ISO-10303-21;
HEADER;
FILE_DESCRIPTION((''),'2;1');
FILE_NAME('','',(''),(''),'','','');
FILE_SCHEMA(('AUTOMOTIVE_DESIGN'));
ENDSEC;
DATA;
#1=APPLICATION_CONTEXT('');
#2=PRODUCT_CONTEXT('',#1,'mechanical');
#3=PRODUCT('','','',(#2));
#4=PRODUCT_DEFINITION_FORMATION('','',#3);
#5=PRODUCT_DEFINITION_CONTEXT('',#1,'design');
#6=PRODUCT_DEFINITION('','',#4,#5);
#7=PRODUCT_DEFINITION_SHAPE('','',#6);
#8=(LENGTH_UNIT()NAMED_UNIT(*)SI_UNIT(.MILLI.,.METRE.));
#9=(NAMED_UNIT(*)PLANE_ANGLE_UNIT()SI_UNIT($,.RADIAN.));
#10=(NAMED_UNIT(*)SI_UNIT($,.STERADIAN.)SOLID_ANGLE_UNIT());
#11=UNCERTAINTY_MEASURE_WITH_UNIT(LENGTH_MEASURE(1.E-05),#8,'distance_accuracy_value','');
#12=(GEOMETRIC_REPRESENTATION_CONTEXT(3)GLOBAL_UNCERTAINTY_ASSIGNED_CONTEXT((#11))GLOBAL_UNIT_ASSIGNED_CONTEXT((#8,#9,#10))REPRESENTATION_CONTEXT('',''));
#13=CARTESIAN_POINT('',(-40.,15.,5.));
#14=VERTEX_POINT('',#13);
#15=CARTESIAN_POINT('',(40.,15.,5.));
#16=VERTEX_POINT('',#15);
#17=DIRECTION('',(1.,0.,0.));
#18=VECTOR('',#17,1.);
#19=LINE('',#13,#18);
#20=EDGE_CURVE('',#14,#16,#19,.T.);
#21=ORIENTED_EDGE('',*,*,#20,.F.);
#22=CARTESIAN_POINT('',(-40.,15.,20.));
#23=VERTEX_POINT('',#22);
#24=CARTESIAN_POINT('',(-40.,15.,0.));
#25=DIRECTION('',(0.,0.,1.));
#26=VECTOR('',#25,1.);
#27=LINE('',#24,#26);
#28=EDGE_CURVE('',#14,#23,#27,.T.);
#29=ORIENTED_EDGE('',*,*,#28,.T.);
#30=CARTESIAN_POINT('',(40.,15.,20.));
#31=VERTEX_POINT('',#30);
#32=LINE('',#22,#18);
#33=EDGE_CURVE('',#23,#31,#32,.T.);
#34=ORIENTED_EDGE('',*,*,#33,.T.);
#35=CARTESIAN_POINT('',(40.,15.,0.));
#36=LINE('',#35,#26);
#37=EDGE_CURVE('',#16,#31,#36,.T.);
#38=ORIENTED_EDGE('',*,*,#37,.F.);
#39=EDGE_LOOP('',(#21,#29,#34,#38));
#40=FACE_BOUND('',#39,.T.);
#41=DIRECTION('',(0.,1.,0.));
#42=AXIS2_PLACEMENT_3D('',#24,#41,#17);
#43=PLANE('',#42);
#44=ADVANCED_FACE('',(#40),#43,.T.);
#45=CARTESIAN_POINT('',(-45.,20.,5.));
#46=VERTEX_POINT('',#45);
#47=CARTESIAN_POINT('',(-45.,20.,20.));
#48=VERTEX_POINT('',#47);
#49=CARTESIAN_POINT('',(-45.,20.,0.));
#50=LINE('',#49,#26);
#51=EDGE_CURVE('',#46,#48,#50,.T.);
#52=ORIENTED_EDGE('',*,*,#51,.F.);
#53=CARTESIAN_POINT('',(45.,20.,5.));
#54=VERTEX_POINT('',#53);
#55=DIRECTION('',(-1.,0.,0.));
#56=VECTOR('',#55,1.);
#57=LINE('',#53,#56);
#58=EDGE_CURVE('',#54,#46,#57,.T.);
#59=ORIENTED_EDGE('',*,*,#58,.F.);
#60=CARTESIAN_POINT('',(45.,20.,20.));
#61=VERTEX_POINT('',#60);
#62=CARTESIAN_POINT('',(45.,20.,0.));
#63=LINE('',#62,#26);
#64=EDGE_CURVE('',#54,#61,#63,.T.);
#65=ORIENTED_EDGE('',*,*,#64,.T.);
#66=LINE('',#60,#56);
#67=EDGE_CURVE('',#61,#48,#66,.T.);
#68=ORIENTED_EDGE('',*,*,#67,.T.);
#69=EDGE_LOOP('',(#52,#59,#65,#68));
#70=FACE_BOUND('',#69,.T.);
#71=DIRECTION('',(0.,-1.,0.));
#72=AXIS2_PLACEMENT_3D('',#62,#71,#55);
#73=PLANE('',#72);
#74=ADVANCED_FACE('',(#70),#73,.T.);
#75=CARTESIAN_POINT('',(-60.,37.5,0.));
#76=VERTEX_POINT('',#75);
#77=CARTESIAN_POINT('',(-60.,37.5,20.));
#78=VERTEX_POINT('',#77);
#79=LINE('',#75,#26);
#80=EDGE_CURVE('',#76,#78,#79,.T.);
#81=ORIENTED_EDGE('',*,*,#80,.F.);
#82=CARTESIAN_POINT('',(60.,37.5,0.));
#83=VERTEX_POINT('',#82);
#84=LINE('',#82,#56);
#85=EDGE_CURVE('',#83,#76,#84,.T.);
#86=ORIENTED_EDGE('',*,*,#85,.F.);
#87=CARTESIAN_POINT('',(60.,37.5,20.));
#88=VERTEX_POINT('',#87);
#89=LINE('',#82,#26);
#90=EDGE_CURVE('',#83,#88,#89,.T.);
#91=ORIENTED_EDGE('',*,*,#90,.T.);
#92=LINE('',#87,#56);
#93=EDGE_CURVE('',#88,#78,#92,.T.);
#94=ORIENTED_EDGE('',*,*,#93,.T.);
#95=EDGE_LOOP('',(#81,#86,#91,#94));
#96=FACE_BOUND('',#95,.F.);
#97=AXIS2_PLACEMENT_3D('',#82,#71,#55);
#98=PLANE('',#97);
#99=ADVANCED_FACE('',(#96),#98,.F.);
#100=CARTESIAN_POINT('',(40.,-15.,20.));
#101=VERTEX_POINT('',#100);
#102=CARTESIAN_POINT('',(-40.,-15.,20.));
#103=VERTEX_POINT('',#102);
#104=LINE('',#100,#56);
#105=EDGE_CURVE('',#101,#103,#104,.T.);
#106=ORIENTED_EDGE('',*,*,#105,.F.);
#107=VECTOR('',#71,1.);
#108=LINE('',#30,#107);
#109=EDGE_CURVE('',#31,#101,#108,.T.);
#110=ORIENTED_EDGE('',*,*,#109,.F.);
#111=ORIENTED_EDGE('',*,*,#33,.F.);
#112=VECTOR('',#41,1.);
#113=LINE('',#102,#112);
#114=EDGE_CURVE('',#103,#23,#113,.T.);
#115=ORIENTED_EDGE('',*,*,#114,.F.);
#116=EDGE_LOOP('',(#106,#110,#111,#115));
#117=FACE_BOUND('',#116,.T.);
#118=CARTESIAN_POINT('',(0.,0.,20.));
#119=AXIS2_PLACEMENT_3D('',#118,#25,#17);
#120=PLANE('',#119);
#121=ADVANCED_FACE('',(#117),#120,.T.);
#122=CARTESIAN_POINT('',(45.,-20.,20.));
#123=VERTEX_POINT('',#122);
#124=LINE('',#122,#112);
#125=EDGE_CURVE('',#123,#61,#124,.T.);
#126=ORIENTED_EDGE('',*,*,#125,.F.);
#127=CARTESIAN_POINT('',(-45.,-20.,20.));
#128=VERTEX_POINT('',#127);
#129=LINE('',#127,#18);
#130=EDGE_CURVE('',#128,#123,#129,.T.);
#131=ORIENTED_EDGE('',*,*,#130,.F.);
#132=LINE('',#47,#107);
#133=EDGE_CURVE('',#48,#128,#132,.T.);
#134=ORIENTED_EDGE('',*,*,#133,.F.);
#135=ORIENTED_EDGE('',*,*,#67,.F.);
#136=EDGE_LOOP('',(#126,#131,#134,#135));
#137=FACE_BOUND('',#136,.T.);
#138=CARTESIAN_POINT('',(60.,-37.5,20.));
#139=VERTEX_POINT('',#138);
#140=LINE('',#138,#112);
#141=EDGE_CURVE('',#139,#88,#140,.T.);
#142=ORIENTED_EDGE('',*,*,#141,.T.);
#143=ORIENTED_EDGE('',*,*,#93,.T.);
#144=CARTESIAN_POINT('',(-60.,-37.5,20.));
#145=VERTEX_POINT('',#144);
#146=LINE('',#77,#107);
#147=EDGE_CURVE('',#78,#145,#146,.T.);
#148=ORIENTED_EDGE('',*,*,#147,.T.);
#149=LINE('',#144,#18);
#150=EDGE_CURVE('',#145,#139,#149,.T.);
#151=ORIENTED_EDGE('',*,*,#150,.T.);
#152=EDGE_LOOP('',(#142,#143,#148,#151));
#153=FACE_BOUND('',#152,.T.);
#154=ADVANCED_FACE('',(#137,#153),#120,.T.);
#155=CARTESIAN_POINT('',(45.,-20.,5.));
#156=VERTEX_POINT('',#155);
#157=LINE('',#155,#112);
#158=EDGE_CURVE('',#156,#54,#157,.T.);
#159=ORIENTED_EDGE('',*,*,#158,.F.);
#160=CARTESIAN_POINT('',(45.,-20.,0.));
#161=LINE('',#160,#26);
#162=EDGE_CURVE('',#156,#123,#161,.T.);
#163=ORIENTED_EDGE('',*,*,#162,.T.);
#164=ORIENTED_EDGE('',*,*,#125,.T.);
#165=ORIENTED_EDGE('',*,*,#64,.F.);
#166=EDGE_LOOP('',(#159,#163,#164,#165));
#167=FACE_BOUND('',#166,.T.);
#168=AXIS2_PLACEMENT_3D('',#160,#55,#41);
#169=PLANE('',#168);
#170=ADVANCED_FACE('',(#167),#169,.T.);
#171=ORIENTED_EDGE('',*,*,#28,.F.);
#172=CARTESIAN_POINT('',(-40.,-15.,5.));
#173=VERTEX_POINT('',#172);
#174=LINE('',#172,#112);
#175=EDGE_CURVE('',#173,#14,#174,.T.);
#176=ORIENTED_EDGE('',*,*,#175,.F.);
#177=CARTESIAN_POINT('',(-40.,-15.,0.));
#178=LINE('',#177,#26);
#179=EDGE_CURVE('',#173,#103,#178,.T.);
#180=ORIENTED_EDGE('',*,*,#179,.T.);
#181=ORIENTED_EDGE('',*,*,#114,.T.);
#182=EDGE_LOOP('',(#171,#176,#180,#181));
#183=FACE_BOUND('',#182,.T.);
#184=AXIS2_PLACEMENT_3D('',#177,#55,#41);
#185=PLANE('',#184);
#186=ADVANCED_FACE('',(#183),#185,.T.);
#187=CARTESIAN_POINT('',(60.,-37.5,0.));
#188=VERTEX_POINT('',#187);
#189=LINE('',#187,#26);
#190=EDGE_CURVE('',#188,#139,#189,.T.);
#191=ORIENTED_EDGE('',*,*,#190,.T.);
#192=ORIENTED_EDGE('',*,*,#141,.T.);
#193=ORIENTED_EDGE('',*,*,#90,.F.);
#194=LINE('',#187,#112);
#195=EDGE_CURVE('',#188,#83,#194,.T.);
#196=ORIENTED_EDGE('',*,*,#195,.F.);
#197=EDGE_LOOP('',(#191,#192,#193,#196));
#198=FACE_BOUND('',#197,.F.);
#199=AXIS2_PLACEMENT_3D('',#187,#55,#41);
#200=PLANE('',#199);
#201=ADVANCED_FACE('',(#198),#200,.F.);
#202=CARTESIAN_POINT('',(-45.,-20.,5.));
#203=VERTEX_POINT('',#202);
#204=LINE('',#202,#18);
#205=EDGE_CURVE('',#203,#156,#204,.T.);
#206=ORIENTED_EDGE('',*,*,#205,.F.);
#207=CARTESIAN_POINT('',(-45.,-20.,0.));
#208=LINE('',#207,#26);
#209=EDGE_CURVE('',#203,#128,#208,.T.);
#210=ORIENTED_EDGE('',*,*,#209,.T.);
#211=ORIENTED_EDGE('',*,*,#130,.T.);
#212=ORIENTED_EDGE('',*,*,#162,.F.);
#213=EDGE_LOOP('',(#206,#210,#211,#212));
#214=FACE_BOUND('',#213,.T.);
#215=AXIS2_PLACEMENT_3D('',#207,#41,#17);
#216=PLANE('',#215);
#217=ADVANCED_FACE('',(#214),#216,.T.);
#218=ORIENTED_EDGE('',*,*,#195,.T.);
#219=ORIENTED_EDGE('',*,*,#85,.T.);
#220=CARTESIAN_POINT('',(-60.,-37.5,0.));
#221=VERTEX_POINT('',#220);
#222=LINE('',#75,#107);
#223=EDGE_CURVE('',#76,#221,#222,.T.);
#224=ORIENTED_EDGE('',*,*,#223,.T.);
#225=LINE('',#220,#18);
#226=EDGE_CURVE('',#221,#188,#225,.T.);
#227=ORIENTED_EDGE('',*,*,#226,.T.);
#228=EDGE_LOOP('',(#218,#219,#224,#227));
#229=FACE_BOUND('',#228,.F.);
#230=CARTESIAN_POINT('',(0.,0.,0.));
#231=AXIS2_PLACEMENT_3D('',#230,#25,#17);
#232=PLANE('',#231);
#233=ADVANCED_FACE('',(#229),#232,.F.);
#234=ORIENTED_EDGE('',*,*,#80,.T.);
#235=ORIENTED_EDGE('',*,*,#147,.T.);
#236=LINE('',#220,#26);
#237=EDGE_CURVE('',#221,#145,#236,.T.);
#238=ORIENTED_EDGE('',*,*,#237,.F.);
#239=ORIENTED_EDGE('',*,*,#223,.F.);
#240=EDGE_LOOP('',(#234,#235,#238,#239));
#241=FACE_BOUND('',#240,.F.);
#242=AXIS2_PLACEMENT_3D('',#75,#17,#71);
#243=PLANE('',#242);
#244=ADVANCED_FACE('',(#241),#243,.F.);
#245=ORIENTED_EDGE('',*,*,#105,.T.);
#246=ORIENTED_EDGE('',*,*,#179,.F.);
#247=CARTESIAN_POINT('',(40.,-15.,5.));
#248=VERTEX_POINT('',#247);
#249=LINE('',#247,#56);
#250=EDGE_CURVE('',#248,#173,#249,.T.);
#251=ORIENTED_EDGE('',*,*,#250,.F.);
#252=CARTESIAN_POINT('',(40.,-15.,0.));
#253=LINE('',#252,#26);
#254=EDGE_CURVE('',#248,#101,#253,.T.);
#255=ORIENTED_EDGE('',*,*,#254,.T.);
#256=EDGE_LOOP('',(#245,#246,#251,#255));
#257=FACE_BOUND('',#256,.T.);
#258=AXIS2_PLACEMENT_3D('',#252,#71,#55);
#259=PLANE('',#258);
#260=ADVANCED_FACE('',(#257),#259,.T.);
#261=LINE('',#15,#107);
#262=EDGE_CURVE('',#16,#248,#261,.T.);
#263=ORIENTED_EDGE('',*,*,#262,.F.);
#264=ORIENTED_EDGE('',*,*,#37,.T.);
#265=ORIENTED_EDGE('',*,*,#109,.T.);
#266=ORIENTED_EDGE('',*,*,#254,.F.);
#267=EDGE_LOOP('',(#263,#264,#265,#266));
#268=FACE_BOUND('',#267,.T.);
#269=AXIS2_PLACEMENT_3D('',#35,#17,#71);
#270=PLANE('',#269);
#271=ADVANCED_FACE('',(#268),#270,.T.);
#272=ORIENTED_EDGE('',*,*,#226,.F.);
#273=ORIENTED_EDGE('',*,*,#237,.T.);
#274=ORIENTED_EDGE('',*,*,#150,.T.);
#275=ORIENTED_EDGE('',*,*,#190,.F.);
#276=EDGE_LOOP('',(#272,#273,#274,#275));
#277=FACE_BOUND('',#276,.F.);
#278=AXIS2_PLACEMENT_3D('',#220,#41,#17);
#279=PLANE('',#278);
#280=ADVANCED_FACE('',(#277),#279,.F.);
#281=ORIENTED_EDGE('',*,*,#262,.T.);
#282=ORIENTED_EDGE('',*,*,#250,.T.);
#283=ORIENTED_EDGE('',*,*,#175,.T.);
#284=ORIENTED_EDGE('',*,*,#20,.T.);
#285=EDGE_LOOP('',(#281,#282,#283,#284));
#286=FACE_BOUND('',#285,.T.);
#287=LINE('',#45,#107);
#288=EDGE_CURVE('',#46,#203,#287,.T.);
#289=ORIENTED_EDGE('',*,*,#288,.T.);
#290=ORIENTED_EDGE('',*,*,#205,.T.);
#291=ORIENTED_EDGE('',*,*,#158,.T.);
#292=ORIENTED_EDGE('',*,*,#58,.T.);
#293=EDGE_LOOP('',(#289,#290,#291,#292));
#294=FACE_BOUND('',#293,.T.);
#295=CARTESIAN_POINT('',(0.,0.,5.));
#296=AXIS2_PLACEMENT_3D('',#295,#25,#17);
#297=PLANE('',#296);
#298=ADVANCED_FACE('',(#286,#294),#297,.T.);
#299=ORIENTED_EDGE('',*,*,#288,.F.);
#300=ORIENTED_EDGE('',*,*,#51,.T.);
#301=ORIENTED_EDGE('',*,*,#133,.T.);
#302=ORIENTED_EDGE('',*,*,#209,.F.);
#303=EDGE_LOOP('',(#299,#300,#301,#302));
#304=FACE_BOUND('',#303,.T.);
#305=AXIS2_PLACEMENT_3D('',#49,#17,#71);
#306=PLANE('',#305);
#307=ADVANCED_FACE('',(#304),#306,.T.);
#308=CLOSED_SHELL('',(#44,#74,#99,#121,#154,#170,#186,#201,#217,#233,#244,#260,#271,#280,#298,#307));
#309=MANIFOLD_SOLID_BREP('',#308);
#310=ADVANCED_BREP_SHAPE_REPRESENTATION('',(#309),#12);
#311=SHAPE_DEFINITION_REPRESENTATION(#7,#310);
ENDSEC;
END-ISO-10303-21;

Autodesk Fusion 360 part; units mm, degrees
sketch "Sketch1" plane through (0, 0, 0) normal (0, 0, 1) x (1, 0, 0)
  line L0 (60, 37.5) -> (-60, 37.5)
  line L1 (-60, 37.5) -> (-60, -37.5)
  line L2 (-60, -37.5) -> (60, -37.5)
  line L3 (60, -37.5) -> (60, 37.5)
  line L4 (60, 37.5) -> (-60, -37.5) construction
  line L5 (-60, 37.5) -> (60, -37.5) construction
  line L6 (45, 20) -> (-45, 20)
  line L7 (-45, 20) -> (-45, -20)
  line L8 (-45, -20) -> (45, -20)
  line L9 (45, -20) -> (45, 20)
  line L10 (45, 20) -> (-45, -20) construction
  line L11 (-45, 20) -> (45, -20) construction
  line L12 (-40, 15) -> (40, 15)
  line L13 (40, 15) -> (40, -15)
  line L14 (40, -15) -> (-40, -15)
  line L15 (-40, -15) -> (-40, 15)
  line L16 (-40, 15) -> (40, -15) construction
  line L17 (40, 15) -> (-40, -15) construction
  dimension "d1" = 120
  dimension "d2" = 75
  dimension "d3" = 90
  dimension "d4" = 40
  dimension "d5" = 80
  dimension "d6" = 30
extrude "Extrude1" add sketch "Sketch1" along normal blind 20 makes body 1 at (15, -31.6667, 0) makes body 2 at (-13.3333, -5, 0)
extrude "Extrude2" add sketch "Sketch1" along normal blind 5 contours L6 L7 L8 L9 bodies 1 2
